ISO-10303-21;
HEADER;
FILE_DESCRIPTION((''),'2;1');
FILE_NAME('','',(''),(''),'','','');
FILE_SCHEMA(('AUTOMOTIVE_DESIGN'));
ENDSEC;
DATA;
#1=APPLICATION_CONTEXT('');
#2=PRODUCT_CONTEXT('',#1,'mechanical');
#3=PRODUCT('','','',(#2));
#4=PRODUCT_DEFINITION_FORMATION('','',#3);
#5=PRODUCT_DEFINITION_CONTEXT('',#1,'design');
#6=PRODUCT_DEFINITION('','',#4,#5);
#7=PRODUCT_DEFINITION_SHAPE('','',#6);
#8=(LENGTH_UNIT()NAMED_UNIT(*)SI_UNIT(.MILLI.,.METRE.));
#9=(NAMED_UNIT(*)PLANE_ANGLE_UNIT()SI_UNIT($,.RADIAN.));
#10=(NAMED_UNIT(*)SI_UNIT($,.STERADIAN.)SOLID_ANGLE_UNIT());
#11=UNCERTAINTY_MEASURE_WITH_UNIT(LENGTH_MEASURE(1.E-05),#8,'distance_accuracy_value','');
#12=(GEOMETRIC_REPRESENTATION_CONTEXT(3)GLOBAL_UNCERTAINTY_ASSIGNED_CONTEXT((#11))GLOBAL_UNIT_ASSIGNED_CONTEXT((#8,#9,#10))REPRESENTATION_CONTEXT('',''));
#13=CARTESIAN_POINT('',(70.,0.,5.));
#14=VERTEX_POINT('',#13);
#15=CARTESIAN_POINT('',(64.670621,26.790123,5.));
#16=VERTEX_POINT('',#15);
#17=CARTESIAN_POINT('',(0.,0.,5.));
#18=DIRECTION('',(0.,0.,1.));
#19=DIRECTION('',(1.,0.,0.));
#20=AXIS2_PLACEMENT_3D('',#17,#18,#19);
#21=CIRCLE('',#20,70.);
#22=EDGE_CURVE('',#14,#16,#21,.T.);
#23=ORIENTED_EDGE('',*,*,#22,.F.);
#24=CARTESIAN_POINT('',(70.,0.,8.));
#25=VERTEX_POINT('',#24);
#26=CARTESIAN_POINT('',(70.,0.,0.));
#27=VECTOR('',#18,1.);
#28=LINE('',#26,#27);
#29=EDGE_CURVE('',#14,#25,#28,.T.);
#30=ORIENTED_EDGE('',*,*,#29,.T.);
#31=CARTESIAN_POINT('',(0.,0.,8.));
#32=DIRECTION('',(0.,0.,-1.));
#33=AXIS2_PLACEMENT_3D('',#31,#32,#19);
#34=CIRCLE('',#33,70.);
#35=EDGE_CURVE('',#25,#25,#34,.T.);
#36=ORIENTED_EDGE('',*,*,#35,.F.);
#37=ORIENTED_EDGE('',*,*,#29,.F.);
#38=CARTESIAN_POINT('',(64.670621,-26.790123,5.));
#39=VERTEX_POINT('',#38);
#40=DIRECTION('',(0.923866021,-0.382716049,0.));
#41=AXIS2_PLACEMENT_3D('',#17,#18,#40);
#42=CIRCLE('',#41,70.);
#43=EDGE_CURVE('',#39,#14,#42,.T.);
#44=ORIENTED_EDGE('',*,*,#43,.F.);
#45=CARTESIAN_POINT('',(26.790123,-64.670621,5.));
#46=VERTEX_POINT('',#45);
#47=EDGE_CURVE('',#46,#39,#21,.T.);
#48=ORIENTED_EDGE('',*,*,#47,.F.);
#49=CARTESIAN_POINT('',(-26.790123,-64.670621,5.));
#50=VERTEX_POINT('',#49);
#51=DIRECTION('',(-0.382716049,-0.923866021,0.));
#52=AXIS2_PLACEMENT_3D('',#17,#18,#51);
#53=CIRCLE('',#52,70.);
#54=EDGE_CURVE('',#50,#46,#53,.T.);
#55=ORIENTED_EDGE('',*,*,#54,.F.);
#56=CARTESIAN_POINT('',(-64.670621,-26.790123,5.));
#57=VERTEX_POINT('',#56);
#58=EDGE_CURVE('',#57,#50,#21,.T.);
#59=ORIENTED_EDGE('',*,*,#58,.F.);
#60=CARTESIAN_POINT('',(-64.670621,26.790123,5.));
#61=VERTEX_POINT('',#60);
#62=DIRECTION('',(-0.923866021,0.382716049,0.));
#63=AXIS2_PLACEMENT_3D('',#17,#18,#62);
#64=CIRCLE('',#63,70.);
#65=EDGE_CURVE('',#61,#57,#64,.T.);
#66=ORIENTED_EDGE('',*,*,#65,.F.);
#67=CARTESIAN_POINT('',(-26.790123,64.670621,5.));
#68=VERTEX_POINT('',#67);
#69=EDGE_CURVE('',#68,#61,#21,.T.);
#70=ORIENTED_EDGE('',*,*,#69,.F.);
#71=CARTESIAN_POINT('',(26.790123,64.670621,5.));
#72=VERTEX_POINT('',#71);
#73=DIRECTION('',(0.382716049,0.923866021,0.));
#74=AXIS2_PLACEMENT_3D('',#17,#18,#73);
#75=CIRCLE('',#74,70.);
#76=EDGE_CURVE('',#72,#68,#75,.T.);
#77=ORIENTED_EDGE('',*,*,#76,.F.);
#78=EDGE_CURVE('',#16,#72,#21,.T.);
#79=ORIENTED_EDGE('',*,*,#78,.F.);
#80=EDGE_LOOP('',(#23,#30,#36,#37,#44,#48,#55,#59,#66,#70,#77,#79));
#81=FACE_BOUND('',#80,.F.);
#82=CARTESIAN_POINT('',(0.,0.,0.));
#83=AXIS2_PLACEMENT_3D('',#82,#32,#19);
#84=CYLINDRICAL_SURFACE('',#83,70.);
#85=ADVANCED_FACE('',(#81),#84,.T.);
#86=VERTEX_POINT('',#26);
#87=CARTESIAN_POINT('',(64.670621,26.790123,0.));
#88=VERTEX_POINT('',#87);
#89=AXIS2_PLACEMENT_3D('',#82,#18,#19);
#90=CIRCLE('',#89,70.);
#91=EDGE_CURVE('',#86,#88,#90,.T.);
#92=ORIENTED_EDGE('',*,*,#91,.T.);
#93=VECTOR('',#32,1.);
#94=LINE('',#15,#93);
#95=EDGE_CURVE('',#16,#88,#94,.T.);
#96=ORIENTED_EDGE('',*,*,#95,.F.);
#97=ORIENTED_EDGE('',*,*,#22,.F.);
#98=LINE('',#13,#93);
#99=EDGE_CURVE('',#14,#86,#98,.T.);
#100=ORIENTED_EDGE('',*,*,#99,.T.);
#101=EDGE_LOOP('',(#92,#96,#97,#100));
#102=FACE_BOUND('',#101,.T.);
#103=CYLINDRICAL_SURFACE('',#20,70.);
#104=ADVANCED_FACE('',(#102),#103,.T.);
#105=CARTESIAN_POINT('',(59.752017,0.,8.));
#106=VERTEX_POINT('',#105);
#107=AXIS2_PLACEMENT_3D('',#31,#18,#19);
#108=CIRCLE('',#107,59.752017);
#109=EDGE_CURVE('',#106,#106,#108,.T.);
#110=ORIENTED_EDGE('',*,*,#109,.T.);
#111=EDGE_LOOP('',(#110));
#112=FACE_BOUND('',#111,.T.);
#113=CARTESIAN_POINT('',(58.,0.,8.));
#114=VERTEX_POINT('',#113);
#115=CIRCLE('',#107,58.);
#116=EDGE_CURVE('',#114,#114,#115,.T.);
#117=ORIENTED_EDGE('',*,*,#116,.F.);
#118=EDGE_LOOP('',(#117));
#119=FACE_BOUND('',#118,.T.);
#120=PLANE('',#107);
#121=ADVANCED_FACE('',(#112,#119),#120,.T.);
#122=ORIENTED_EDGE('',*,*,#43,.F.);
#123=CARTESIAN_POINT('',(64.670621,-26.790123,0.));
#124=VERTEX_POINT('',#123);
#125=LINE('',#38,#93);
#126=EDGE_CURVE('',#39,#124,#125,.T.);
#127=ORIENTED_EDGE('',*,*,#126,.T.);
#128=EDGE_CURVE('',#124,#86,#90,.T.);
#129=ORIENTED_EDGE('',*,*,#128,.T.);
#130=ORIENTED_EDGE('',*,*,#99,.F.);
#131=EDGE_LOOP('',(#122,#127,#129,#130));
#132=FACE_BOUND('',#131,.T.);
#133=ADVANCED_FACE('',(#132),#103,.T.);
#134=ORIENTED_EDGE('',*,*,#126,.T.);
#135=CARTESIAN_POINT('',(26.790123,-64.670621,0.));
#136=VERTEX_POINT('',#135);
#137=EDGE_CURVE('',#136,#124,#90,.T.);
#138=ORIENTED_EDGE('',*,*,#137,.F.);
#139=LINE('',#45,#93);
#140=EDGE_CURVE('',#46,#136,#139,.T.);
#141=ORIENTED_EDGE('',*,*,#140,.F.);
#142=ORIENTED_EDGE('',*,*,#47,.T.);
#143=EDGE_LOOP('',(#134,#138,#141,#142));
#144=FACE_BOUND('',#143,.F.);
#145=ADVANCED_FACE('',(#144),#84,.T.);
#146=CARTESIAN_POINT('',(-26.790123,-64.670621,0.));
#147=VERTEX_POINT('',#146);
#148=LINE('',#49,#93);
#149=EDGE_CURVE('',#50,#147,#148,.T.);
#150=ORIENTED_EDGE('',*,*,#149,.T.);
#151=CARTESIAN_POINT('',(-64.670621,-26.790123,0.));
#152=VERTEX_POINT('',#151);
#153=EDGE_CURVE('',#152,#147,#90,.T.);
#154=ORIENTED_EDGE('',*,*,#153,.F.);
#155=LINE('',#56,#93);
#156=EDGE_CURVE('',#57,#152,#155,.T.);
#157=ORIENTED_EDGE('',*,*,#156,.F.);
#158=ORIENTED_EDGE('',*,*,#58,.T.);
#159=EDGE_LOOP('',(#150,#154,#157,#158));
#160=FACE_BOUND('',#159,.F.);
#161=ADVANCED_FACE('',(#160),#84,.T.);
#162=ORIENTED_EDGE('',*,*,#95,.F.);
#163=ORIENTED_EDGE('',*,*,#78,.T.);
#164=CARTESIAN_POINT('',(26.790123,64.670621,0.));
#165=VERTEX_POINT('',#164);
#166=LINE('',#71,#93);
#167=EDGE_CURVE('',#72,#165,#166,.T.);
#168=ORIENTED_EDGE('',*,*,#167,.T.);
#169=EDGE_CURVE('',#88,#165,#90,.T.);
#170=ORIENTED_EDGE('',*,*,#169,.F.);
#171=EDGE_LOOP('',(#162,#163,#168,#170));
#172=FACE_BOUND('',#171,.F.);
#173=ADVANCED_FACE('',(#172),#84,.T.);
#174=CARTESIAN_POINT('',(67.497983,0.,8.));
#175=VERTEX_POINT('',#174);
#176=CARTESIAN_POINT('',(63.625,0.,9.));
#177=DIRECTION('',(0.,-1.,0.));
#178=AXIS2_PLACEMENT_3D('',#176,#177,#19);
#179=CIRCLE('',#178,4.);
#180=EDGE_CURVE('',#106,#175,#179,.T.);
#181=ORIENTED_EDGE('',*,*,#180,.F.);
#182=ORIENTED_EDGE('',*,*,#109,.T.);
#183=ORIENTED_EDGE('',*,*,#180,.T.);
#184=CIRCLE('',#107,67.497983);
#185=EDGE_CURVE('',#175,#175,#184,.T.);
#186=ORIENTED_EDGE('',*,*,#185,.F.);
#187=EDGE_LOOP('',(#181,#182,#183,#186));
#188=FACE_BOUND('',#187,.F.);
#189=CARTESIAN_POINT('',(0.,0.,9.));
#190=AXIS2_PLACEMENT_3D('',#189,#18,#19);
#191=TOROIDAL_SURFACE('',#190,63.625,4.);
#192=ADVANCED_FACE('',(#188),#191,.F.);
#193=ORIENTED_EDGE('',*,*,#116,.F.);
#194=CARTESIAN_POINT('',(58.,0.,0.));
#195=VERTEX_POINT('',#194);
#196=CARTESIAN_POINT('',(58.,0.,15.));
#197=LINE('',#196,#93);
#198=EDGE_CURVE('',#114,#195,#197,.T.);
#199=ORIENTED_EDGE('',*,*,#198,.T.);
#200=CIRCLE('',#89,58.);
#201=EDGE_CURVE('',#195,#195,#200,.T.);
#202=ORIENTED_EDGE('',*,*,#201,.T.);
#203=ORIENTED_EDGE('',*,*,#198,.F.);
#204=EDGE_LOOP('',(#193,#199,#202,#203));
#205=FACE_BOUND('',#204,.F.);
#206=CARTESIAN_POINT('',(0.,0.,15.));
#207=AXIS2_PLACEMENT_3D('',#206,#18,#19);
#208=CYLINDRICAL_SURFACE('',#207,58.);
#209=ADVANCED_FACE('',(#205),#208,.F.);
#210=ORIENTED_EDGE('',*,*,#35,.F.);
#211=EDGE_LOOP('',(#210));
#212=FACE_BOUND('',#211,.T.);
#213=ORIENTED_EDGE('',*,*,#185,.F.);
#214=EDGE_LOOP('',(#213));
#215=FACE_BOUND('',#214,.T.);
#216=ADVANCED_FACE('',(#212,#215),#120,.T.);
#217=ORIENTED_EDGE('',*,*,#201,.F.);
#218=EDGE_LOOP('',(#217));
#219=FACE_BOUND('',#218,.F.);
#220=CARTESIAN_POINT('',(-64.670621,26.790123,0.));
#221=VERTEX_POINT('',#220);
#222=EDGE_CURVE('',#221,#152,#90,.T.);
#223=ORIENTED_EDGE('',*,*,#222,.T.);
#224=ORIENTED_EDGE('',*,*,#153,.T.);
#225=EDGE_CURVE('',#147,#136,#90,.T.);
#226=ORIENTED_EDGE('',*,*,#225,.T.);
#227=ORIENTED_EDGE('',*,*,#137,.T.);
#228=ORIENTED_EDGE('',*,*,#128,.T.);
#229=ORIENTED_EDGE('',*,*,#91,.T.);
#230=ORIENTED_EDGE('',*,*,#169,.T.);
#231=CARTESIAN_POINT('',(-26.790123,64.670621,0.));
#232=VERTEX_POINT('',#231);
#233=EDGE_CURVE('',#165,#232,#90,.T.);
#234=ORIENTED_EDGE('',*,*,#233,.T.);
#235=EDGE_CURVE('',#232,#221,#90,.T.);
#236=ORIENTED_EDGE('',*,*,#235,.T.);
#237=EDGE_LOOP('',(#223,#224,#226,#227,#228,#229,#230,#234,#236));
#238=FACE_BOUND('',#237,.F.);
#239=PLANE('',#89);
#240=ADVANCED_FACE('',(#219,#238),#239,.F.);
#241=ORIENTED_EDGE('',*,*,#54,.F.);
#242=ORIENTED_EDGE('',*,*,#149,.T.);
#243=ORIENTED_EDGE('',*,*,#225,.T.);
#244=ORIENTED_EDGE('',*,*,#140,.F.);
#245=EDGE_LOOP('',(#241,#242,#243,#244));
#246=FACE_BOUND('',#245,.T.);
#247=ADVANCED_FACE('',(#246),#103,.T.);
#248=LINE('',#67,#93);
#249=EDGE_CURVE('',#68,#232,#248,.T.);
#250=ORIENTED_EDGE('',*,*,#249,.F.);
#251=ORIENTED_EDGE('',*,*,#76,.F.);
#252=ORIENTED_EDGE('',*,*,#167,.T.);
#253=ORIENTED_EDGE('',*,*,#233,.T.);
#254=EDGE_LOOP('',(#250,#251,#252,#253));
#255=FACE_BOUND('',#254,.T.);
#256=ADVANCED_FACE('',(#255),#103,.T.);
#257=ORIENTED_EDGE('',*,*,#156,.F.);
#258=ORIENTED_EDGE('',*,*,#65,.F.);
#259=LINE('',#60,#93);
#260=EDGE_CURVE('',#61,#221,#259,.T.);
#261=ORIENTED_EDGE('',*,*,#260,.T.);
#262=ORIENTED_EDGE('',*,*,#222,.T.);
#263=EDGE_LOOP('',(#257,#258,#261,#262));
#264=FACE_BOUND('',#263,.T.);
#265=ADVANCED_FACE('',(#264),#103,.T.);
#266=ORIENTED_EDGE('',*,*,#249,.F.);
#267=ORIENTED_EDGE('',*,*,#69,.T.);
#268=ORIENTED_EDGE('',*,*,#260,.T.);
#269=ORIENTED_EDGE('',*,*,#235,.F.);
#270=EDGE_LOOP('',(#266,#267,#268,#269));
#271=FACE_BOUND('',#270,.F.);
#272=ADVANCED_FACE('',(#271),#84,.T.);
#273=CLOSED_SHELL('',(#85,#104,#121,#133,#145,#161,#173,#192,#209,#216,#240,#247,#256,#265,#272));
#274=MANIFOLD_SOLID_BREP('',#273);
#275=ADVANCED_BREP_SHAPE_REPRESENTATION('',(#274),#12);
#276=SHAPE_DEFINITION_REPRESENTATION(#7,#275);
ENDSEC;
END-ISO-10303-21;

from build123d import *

# Parameters (mm, degrees)
SKETCH_R        = 70
SKETCH_R_2      = 57.25
PAD_DEPTH       = 15
SKETCH001_R     = 4
SKETCH002_W     = 40
SKETCH002_H     = 40
PAD001_DEPTH    = 5
SKETCH003_R     = 2.5
POCKET_DEPTH    = 5
FILLET_R        = 18
FILLET001_R     = 11
SKETCH004_R     = 58
POCKET001_DEPTH = 15.001
SKETCH005_R     = 71
POCKET002_DEPTH = 7
SKETCH006_R     = 4
SKETCH007_R     = 105
SKETCH007_R_2   = 70
POCKET003_DEPTH = 5


with BuildPart() as part:
    # Sketch → Pad (new body)
    with BuildSketch(Plane.XY):
        Circle(SKETCH_R)
        Circle(SKETCH_R_2, mode=Mode.SUBTRACT)
    extrude(amount=PAD_DEPTH)

    # Sketch001 → Groove (revolve, cut)
    with BuildSketch(Plane.XZ):
        with Locations((63.625, 16)):
            Circle(SKETCH001_R)
    revolve(axis=Axis((0, 0, 0), (0, 0, 1)), mode=Mode.SUBTRACT)

    # Sketch002 (on Face2 of Groove) → Pad001 (join)
    with BuildSketch(Plane(origin=(0, 0, 0), x_dir=(1, 0, 0), z_dir=(0, 0, -1))):
        with Locations((82, 0)):
            Rectangle(SKETCH002_W, SKETCH002_H)
        with Locations((-82, 0)):
            Rectangle(SKETCH002_W, SKETCH002_H)
        with Locations((0, 82)):
            Rectangle(SKETCH002_W, SKETCH002_H)
        with Locations((0, -82)):
            Rectangle(SKETCH002_W, SKETCH002_H)
    extrude(amount=-PAD001_DEPTH)

    # Sketch003 (on Face13 of Pad001) → Pocket (cut)
    with BuildSketch(Plane.XY.offset(5)):
        with Locations((-86.25, 0)):
            Circle(SKETCH003_R)
        with Locations((0, -86.25)):
            Circle(SKETCH003_R)
        with Locations((86.25, 0)):
            Circle(SKETCH003_R)
        with Locations((0, 86.25)):
            Circle(SKETCH003_R)
    extrude(amount=-POCKET_DEPTH, mode=Mode.SUBTRACT)

    # Fillet
    fillet_edges = [part.edges().sort_by_distance(p)[0] for p in [
        (-20, 102, 2.5),
        (20, 102, 2.5),
        (102, 20, 2.5),
        (102, -20, 2.5),
        (20, -102, 2.5),
        (-20, -102, 2.5),
        (-102, -20, 2.5),
        (-102, 20, 2.5),
    ]]
    fillet(fillet_edges, radius=FILLET_R)

    # Fillet001
    fillet001_edges = [part.edges().sort_by_distance(p)[0] for p in [
        (67.082039, 20, 2.5),
        (20, 67.082039, 2.5),
        (-20, 67.082039, 2.5),
        (-67.082039, 20, 2.5),
        (-67.082039, -20, 2.5),
        (-20, -67.082039, 2.5),
        (20, -67.082039, 2.5),
        (67.082039, -20, 2.5),
    ]]
    fillet(fillet001_edges, radius=FILLET001_R)

    # Sketch004 (on Face41 of Fillet001) → Pocket001 (cut, through all)
    with BuildSketch(Plane.XY.offset(15)):
        Circle(SKETCH004_R)
    extrude(amount=-POCKET001_DEPTH, mode=Mode.SUBTRACT)

    # Sketch005 (on Face38 of Pocket001) → Pocket002 (cut)
    with BuildSketch(Plane.XY.offset(15)):
        Circle(SKETCH005_R)
    extrude(amount=-POCKET002_DEPTH, mode=Mode.SUBTRACT)

    # Sketch006 → Groove001 (revolve, cut)
    with BuildSketch(Plane.XZ):
        with Locations((63.625, 9)):
            Circle(SKETCH006_R)
    revolve(axis=Axis((0, 0, 0), (0, 0, 1)), mode=Mode.SUBTRACT)

    # Sketch007 (on Face37 of Groove001) → Pocket003 (cut)
    with BuildSketch(Plane.XY.offset(5)):
        Circle(SKETCH007_R)
        Circle(SKETCH007_R_2, mode=Mode.SUBTRACT)
    extrude(amount=-POCKET003_DEPTH, mode=Mode.SUBTRACT)


solid = part.part
